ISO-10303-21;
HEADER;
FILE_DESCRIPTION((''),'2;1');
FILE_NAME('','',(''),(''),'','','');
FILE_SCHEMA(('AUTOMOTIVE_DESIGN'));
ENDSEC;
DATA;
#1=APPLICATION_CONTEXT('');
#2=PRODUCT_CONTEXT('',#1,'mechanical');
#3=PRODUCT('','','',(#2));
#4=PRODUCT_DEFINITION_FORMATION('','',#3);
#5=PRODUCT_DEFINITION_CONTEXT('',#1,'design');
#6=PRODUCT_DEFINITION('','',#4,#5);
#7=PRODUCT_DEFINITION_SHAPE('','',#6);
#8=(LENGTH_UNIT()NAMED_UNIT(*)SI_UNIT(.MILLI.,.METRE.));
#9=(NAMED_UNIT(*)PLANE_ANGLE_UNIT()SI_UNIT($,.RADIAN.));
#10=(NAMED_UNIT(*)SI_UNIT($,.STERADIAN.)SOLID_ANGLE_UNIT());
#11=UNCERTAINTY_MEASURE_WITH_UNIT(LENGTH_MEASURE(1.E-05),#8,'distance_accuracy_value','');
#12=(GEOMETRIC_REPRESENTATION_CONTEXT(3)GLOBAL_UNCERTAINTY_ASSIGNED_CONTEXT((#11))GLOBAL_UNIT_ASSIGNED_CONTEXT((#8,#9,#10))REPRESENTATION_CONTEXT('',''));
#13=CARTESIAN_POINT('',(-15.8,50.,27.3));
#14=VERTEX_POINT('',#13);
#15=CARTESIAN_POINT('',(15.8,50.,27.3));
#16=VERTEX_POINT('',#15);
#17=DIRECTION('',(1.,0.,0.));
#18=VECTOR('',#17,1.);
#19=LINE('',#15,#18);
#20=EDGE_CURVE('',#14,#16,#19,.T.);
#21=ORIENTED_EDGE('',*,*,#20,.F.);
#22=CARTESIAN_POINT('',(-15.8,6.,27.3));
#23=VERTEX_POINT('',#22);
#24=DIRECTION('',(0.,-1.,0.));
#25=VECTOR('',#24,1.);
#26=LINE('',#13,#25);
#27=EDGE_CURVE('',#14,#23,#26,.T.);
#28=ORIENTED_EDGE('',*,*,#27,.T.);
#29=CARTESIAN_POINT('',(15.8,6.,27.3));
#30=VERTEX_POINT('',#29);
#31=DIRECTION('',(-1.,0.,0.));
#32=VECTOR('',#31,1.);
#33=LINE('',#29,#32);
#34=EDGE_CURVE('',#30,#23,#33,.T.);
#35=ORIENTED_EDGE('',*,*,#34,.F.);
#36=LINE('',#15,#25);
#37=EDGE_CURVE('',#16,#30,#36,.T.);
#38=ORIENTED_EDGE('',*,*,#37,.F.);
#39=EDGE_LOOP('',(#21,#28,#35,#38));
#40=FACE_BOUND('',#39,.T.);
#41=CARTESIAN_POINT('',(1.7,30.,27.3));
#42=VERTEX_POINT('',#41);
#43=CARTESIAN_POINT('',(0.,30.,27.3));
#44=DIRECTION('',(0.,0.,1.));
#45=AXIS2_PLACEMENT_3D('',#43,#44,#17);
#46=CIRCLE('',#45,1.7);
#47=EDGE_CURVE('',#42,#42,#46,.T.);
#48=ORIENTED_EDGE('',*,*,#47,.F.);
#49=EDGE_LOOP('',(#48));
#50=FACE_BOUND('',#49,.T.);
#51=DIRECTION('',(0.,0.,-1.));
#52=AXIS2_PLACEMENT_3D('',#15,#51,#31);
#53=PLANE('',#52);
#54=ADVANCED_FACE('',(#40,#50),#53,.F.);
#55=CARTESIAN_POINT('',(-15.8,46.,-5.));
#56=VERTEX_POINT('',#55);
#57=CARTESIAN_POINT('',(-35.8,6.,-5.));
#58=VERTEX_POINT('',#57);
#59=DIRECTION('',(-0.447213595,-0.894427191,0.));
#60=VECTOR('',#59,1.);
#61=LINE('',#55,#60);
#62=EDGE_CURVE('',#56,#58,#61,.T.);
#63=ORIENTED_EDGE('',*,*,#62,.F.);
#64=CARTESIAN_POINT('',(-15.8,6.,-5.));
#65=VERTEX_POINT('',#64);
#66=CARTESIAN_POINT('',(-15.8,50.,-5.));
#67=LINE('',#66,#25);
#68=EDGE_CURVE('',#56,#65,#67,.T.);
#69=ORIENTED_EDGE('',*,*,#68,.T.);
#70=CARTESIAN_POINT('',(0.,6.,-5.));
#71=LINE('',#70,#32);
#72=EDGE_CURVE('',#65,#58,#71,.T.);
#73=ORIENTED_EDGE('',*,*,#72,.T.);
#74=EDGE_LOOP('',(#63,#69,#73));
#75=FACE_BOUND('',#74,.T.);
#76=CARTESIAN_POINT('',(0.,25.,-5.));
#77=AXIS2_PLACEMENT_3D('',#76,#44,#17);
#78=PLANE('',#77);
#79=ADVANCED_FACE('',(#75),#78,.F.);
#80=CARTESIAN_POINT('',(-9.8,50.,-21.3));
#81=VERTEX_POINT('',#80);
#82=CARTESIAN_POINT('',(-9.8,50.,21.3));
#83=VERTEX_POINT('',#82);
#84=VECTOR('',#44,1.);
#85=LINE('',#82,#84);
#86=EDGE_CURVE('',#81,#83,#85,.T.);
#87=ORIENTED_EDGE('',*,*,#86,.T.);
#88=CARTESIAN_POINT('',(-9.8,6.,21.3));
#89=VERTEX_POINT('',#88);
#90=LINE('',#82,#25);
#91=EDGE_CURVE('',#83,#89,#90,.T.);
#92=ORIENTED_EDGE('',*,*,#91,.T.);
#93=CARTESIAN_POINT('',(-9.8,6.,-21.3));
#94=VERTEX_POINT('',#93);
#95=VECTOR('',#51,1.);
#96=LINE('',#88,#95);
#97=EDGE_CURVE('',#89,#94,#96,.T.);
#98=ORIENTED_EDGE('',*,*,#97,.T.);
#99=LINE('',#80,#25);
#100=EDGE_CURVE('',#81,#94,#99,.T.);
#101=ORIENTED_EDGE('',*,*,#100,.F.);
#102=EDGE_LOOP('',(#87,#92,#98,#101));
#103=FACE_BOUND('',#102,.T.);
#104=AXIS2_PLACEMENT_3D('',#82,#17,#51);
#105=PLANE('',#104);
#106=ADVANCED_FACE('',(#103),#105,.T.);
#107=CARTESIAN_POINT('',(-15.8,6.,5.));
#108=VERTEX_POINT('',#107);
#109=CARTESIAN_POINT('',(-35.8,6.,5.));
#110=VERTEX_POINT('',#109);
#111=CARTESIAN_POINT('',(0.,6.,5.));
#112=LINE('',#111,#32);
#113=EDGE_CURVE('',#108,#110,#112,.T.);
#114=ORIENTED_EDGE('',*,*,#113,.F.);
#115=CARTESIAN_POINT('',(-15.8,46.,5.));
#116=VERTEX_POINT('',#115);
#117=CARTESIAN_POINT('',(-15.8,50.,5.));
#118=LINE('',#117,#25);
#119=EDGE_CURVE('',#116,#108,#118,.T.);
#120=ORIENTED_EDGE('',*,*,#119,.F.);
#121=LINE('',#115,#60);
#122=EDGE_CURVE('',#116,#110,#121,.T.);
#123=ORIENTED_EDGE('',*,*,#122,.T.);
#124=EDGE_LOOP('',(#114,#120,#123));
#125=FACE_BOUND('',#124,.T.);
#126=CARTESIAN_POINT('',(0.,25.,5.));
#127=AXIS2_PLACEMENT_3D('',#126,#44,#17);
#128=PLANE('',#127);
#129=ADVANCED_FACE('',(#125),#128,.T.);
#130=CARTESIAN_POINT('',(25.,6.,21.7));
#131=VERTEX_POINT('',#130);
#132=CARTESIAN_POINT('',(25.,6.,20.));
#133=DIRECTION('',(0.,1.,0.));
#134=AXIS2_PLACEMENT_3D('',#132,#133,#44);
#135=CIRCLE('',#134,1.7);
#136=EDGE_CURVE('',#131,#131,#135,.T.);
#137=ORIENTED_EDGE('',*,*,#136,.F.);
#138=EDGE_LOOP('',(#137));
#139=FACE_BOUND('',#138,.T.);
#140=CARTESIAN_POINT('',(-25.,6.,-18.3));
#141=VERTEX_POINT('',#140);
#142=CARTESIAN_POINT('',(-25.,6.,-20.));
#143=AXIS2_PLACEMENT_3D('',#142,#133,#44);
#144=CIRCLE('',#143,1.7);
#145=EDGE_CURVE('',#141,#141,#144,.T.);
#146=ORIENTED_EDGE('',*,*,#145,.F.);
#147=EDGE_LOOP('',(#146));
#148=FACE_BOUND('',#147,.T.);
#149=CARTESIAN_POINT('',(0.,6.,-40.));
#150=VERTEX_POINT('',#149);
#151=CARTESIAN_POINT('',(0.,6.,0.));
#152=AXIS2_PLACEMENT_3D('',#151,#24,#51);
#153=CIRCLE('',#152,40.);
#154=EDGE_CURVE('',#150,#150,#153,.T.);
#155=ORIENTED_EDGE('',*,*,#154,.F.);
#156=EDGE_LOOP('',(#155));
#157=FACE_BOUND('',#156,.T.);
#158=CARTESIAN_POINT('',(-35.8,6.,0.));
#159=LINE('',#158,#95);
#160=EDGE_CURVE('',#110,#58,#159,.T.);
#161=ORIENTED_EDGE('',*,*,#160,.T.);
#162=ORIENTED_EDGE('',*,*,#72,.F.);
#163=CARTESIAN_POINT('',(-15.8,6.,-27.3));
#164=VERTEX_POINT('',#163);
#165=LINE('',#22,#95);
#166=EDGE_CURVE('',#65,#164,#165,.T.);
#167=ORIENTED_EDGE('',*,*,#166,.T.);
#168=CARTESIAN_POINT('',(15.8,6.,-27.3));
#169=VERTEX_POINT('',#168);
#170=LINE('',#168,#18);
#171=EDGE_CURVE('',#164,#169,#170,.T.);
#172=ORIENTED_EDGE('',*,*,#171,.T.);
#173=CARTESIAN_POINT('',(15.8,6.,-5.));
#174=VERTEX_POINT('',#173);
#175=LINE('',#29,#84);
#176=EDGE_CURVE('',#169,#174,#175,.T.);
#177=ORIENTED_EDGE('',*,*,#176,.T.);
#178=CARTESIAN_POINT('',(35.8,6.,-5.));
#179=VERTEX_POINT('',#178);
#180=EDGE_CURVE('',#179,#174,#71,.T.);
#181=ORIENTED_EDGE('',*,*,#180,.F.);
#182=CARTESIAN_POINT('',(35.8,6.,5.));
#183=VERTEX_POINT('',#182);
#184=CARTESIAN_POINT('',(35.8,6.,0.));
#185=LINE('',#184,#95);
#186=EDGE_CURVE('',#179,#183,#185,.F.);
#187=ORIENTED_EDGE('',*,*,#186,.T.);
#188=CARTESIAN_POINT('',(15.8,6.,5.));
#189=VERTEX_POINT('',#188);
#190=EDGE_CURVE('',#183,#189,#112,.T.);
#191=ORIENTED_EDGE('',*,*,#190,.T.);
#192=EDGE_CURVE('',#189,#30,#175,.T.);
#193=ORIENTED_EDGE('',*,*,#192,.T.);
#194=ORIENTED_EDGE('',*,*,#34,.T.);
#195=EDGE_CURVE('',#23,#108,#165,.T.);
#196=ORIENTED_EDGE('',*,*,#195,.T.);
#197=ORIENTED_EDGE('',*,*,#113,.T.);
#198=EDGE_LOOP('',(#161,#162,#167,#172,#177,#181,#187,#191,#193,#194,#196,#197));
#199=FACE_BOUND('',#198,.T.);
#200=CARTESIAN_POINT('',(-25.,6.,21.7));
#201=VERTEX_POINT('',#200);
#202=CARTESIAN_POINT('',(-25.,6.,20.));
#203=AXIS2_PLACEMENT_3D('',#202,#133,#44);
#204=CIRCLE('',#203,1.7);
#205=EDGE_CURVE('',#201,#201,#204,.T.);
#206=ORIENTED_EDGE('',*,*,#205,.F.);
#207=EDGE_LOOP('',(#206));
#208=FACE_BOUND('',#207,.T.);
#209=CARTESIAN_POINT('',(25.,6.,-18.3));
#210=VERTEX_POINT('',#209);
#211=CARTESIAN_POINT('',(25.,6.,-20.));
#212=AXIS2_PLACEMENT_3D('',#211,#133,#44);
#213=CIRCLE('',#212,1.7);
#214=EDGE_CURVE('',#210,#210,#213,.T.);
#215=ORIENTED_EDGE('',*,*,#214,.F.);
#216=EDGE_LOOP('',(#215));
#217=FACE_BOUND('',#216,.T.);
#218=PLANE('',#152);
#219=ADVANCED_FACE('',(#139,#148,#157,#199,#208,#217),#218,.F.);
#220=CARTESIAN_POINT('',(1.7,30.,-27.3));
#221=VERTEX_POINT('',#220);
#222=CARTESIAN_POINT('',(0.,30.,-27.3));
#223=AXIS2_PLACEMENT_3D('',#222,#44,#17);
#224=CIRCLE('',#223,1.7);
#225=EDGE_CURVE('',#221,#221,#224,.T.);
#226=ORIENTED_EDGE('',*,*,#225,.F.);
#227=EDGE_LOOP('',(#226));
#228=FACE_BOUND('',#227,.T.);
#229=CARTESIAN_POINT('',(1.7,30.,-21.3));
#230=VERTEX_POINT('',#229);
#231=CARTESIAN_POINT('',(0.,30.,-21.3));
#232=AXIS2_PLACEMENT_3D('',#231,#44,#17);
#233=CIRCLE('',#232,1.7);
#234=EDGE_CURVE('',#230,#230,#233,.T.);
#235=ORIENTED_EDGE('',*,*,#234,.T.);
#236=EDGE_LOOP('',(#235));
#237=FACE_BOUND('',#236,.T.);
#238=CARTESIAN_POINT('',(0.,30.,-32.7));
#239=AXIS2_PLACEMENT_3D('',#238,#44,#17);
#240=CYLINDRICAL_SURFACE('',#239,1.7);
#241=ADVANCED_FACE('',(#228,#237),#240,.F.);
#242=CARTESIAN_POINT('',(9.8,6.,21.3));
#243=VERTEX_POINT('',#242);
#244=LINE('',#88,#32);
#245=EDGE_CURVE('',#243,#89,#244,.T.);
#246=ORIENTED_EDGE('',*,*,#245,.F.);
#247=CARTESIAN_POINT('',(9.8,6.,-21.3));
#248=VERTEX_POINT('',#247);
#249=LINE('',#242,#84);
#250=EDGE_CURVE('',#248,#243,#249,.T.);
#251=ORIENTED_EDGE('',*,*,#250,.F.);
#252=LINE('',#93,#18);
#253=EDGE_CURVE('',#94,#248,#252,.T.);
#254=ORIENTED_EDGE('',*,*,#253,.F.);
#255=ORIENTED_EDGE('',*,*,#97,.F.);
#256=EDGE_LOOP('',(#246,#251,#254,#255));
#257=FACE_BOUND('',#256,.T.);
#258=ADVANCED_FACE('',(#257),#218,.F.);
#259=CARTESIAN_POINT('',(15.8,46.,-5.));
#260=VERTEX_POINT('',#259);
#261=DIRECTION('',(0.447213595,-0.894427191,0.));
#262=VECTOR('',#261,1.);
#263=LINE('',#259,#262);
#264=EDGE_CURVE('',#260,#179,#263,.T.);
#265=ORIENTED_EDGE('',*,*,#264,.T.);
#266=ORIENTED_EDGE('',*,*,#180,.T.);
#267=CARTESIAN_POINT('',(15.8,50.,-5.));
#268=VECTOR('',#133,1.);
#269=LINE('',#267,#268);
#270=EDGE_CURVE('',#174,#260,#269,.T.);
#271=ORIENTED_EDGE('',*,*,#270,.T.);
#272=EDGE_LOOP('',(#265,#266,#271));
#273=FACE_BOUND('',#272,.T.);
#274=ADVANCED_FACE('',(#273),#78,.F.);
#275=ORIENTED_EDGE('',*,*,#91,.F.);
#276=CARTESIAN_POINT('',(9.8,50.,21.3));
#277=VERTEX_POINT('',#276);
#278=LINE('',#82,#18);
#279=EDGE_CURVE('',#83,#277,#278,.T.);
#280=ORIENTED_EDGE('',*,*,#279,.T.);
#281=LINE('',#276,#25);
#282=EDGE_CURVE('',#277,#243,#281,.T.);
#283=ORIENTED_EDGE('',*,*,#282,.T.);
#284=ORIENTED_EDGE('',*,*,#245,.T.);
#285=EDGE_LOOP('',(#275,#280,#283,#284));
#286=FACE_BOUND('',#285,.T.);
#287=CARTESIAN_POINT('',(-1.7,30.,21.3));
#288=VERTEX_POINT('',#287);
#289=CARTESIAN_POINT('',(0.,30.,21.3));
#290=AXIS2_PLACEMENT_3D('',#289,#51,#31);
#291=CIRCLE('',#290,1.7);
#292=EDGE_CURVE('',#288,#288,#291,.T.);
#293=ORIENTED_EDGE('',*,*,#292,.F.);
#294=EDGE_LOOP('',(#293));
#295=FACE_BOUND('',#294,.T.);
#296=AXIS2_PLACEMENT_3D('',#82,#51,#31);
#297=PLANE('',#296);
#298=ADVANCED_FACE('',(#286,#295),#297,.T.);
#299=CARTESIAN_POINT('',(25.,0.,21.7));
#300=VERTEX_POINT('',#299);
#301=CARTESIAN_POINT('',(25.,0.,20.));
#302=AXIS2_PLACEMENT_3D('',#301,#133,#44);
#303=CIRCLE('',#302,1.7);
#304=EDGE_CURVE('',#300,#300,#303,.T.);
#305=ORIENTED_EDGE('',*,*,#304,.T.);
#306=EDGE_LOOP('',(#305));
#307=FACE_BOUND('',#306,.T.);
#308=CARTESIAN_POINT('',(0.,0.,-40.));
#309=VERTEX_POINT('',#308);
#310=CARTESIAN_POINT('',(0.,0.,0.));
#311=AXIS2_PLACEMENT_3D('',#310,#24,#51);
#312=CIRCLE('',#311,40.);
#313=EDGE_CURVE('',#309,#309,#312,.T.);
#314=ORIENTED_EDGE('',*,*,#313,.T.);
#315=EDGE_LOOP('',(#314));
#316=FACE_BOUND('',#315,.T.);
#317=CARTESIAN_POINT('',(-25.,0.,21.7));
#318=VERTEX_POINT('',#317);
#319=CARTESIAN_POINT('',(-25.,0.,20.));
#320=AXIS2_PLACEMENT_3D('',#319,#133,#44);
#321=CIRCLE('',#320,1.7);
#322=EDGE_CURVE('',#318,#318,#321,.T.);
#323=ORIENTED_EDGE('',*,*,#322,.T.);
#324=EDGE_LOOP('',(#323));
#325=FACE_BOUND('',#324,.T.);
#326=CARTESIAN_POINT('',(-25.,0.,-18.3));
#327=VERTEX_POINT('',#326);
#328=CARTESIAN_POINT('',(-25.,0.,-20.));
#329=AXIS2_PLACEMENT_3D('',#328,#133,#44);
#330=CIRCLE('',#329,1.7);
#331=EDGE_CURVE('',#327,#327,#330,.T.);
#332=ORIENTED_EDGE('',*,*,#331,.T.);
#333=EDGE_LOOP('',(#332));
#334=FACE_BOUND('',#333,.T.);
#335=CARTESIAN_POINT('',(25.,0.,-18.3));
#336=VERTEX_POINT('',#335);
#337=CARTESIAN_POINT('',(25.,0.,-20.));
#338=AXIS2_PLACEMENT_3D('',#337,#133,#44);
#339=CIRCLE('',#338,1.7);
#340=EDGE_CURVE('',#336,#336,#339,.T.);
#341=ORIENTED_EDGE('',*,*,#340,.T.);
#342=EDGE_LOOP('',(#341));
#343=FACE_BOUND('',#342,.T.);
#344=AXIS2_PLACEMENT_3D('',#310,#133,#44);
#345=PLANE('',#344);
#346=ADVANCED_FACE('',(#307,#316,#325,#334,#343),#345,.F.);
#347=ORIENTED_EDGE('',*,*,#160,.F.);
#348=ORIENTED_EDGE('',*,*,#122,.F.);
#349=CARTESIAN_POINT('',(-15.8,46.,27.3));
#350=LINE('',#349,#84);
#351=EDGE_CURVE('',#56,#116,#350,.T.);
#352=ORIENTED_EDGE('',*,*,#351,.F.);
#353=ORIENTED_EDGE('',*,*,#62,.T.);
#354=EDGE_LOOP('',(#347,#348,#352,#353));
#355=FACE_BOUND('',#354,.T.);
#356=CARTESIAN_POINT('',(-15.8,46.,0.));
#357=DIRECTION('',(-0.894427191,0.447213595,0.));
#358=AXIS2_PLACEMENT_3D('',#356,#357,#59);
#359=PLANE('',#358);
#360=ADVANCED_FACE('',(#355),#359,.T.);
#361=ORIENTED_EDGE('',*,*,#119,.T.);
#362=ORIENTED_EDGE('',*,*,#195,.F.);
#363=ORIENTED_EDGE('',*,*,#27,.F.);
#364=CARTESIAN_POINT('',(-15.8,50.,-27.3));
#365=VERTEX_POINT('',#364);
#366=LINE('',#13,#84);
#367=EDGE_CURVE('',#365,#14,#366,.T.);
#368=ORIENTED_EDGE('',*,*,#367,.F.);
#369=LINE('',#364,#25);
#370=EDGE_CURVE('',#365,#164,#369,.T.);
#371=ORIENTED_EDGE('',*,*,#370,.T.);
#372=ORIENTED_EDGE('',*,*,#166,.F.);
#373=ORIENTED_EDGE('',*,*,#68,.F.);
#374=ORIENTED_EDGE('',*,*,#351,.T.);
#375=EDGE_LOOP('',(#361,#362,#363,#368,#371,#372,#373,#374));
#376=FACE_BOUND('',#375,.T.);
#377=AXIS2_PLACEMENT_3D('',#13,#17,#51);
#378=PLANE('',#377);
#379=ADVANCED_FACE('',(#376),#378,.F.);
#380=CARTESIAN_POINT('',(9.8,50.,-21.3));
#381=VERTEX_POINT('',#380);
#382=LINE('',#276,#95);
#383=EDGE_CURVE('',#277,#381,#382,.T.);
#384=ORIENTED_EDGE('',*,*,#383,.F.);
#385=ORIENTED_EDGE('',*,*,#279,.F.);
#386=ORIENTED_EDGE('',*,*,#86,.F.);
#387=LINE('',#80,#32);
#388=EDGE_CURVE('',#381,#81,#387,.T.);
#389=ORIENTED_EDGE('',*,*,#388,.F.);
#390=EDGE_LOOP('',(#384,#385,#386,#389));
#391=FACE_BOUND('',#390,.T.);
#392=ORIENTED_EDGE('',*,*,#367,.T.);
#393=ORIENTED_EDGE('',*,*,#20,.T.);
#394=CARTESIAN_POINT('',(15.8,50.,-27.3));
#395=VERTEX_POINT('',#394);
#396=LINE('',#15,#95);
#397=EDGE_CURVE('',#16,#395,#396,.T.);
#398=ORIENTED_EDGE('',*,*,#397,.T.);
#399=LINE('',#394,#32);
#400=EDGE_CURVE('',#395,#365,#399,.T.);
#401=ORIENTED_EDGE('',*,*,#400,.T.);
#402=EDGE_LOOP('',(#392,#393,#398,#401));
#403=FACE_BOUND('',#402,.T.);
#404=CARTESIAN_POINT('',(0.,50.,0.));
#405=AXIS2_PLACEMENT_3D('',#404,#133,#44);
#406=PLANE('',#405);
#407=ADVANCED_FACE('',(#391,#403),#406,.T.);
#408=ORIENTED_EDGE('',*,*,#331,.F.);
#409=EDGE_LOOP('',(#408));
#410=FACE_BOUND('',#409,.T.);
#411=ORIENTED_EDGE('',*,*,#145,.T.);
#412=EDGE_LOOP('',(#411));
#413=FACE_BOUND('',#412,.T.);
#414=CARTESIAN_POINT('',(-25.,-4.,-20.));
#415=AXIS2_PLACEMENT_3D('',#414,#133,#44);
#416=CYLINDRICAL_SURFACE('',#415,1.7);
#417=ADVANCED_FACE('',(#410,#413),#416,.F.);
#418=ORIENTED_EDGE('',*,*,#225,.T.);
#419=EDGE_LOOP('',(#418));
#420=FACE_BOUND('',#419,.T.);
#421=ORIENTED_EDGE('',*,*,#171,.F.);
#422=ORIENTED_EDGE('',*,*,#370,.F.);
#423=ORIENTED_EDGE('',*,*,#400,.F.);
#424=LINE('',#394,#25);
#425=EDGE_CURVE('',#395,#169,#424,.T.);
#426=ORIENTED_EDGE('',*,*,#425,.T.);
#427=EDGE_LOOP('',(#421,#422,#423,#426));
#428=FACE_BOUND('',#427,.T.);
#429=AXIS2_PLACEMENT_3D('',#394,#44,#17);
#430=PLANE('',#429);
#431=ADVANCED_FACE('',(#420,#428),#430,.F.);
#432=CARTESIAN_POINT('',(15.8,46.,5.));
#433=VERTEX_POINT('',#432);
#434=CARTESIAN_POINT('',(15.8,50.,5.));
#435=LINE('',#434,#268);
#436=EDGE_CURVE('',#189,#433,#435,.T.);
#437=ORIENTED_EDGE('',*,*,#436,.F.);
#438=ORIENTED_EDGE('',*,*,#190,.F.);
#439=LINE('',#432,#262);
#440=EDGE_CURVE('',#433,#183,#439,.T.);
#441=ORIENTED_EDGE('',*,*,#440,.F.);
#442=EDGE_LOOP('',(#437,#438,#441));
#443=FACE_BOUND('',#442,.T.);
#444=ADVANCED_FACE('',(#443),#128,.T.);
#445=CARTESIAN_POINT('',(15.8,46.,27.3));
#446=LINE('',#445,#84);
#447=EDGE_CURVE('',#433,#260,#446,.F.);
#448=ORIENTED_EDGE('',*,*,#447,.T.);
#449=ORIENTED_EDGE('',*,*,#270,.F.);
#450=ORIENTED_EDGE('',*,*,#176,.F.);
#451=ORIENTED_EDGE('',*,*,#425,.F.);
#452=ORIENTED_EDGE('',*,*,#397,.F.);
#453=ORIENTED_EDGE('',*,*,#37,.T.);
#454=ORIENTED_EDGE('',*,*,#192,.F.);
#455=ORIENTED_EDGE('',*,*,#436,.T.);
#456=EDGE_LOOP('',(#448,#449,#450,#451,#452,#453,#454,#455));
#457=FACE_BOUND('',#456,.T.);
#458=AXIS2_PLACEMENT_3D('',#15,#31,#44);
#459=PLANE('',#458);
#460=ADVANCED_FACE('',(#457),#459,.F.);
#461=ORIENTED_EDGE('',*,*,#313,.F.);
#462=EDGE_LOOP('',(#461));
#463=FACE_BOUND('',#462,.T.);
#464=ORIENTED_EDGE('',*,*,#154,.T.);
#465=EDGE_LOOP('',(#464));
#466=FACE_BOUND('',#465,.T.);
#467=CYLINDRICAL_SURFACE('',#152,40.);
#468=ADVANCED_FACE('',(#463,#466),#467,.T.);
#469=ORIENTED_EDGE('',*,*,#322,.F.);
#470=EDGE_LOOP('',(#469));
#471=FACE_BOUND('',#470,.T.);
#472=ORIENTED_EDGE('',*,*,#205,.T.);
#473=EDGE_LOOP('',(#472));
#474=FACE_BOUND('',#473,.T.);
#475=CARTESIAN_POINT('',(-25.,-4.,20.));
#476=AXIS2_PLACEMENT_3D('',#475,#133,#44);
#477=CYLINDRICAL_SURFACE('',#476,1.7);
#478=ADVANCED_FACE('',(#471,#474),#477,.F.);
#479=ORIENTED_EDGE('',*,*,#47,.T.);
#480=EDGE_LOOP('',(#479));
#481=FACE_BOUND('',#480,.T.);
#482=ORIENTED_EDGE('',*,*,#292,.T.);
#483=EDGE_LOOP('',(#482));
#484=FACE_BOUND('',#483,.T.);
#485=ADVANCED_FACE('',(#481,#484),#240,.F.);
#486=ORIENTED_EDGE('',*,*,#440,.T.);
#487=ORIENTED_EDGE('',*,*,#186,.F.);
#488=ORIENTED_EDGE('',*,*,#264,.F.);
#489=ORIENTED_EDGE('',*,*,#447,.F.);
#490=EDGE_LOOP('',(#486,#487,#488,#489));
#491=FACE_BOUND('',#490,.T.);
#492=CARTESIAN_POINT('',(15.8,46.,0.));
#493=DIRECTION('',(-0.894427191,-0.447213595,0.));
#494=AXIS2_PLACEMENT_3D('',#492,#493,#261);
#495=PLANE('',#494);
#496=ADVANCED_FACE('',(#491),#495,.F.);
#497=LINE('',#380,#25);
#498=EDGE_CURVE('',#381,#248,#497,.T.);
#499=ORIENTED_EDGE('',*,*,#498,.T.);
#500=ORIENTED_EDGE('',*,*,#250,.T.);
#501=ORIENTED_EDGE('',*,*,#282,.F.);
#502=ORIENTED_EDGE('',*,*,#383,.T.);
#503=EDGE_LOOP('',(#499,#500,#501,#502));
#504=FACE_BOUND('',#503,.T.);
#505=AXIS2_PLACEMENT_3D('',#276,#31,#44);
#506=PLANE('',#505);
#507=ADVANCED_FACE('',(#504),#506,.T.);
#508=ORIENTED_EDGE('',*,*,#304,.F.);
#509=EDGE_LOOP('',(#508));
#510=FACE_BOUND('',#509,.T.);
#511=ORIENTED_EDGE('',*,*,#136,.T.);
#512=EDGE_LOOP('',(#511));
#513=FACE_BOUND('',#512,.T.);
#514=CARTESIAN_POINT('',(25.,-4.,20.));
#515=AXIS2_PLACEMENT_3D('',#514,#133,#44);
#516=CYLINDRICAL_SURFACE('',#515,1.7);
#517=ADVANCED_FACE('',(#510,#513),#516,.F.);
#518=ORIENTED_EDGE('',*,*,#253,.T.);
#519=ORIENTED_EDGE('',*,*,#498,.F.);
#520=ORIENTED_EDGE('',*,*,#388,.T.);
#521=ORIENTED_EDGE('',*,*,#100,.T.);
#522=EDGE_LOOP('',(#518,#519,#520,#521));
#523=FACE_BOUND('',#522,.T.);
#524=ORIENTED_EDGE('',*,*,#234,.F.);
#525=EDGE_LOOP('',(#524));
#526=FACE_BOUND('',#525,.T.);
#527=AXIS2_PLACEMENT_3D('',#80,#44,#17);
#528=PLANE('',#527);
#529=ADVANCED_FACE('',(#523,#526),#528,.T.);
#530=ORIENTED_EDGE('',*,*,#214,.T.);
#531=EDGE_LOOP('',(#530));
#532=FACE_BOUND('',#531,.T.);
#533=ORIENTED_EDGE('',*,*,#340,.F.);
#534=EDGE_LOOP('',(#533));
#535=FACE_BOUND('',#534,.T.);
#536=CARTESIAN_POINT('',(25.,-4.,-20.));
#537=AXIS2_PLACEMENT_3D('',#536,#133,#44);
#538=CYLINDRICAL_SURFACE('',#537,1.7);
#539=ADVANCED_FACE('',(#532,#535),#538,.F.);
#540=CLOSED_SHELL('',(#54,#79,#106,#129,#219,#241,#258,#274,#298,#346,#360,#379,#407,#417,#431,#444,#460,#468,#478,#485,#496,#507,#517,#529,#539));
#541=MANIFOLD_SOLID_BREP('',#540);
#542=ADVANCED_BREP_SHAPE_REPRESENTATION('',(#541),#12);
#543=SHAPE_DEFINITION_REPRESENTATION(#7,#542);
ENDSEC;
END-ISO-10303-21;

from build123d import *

# Parameters (mm, degrees)
CROQUIS1_W              = 31.6
CROQUIS1_H              = 54.6
CROQUIS1_W_2            = 19.6
CROQUIS1_H_2            = 42.6
SALIENTE_EXTRUIR1_DEPTH = 50
CROQUIS2_R              = 40
SALIENTE_EXTRUIR2_DEPTH = 6
NERVIO4_REACH           = 77.498
CROQUIS3_WALL_W         = 197.718048256
CROQUIS3_WALL_H         = 10
CROQUIS4_R              = 1.7
CORTAR_EXTRUIR1_DEPTH   = 10
CROQUIS5_R              = 1.7
CORTAR_EXTRUIR2_DEPTH   = 60


with BuildPart() as part:
    # Croquis1 → Saliente-Extruir1 (new body)
    with BuildSketch(Plane(origin=(0, 0, 0), x_dir=(1, 0, 0), z_dir=(0, 1, 0))):
        Rectangle(CROQUIS1_W, CROQUIS1_H)
        Rectangle(CROQUIS1_W_2, CROQUIS1_H_2, mode=Mode.SUBTRACT)
    extrude(amount=SALIENTE_EXTRUIR1_DEPTH)

    # Croquis2 → Saliente-Extruir2 (add)
    with BuildSketch(Plane(origin=(0, 0, 0), x_dir=(-1, 0, 0), z_dir=(0, -1, 0))):
        with Locations(Location((0, 0, 0), (0, 0, 90))):
            Circle(CROQUIS2_R)
    extrude(amount=-SALIENTE_EXTRUIR2_DEPTH)

    # Croquis3 wall → Nervio4 (add, up to next)
    with BuildSketch(Plane(origin=(-25.8, 26, 0), x_dir=(-0.4472135955, -0.894427191, 0), z_dir=(0.894427191, -0.4472135955, 0)), mode=Mode.PRIVATE) as nervio4_sk1:
        Rectangle(CROQUIS3_WALL_W, CROQUIS3_WALL_H)
    nervio4_tool1 = extrude(nervio4_sk1.sketch, amount=NERVIO4_REACH, mode=Mode.PRIVATE) - part.part
    nervio4 = nervio4_tool1.solids().sort_by_distance((-25.8, 26, 0))[0]
    add(nervio4)

    # Simetría1: Nervio4 across plane
    add(nervio4.mirror(Plane(origin=(0, 0, 0), x_dir=(0, 0, 1), z_dir=(1, 0, 0))))

    # Croquis4 → Cortar-Extruir1 (cut)
    with BuildSketch(Plane(origin=(0, 6, 0), x_dir=(1, 0, 0), z_dir=(0, 1, 0))):
        with Locations(Location((-25, 20, 0), (0, 0, 270))):
            Circle(CROQUIS4_R)
        with Locations(Location((-25, -20, 0), (0, 0, 270))):
            Circle(CROQUIS4_R)
        with Locations(Location((25, -20, 0), (0, 0, 270))):
            Circle(CROQUIS4_R)
        with Locations(Location((25, 20, 0), (0, 0, 270))):
            Circle(CROQUIS4_R)
    extrude(amount=-CORTAR_EXTRUIR1_DEPTH, mode=Mode.SUBTRACT)

    # Croquis5 → Cortar-Extruir2 (cut)
    with BuildSketch(Plane.XY.offset(27.3)):
        with Locations((0, 30)):
            Circle(CROQUIS5_R)
    extrude(amount=-CORTAR_EXTRUIR2_DEPTH, mode=Mode.SUBTRACT)


solid = part.part
